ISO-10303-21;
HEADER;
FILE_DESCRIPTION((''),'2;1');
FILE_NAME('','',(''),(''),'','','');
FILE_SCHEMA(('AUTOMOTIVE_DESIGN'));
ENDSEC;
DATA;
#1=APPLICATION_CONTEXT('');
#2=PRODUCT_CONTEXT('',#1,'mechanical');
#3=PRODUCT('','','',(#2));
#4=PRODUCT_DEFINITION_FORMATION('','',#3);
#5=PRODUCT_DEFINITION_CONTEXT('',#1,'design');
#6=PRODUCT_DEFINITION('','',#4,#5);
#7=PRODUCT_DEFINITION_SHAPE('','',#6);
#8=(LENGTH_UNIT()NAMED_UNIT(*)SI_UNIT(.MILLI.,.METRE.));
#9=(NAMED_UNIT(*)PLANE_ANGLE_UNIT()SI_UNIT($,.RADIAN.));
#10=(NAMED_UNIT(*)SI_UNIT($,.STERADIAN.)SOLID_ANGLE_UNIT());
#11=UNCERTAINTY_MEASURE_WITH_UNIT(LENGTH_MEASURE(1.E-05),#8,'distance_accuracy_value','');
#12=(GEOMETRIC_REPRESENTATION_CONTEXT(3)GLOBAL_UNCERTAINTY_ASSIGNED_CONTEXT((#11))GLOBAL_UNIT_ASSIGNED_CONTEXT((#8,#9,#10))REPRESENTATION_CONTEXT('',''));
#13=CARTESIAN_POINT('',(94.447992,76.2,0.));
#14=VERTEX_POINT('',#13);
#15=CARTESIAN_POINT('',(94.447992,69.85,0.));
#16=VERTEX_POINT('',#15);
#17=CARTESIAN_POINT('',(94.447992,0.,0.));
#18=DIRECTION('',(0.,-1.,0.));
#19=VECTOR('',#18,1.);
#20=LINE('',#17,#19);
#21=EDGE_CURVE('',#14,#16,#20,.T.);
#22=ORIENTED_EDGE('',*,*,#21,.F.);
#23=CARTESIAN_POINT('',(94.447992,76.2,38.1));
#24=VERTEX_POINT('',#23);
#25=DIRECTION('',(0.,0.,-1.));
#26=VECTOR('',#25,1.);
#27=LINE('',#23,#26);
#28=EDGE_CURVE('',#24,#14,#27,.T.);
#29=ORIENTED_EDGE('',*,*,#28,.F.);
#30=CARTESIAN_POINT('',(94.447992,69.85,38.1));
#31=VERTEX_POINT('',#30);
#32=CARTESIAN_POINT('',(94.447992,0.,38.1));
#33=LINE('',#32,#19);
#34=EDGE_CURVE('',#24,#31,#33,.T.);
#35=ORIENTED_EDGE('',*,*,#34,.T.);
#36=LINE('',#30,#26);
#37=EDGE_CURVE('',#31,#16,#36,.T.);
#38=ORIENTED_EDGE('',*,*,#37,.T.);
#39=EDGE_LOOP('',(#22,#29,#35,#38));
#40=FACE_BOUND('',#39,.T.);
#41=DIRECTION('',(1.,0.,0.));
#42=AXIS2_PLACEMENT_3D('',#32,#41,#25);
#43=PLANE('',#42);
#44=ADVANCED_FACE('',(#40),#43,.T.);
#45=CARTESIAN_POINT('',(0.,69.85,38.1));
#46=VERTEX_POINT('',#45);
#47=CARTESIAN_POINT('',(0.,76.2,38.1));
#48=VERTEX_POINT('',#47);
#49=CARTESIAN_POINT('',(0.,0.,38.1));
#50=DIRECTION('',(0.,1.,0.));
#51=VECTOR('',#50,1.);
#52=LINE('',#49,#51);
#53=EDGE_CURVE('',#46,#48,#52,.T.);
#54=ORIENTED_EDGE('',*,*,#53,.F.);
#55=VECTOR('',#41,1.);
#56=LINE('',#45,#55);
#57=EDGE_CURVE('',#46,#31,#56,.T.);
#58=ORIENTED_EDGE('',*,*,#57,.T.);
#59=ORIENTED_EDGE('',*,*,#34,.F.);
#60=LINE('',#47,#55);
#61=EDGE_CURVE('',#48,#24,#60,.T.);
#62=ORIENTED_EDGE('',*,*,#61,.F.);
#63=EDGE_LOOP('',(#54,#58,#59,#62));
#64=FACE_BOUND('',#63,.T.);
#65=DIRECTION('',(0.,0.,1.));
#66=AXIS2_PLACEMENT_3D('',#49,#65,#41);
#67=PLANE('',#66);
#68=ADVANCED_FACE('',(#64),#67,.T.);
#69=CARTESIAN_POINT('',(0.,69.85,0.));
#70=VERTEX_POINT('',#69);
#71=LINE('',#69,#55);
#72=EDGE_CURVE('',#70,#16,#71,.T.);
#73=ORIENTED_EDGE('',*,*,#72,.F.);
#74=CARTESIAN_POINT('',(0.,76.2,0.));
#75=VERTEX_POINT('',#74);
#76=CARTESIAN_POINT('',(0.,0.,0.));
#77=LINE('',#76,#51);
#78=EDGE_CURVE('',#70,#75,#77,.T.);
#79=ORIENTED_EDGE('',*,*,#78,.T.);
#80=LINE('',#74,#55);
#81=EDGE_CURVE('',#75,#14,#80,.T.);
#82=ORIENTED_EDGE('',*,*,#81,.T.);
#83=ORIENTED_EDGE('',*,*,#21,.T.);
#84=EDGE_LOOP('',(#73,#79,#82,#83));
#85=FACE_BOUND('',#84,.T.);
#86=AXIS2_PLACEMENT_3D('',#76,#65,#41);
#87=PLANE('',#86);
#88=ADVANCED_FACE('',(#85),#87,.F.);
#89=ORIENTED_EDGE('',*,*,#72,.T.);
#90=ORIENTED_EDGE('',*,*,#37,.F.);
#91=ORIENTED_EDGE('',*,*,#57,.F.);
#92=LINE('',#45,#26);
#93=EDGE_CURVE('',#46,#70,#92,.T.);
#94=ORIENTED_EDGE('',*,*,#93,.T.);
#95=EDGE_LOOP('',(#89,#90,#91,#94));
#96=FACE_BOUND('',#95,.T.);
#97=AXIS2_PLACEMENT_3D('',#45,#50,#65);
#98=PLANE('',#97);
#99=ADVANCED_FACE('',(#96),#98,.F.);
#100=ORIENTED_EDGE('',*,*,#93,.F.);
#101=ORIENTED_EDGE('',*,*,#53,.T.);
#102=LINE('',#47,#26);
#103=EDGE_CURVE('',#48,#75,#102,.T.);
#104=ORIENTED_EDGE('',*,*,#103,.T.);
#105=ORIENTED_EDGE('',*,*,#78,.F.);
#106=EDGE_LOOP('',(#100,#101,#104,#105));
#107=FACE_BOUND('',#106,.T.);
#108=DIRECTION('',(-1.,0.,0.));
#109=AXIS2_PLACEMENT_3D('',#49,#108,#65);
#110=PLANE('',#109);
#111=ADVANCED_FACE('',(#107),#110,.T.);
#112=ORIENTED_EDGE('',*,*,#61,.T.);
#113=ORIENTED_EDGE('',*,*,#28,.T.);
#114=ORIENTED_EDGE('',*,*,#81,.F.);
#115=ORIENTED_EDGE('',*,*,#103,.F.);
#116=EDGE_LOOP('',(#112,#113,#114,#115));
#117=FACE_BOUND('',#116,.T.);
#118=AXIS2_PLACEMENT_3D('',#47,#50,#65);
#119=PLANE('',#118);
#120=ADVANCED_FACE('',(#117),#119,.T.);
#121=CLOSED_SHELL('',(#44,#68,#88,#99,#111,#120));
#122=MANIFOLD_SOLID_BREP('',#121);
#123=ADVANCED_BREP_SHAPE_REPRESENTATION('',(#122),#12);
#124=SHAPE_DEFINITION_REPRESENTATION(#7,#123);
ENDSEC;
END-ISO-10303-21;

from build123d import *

# Parameters (mm, degrees)
BOSS_EXTRUDE1_DEPTH = 38.1
SKETCH2_R           = 11.049
CUT_EXTRUDE1_DEPTH  = 6.35
SKETCH2_4_R         = 3.556
CUT_EXTRUDE2_DEPTH  = 6.35
SKETCH4_W           = 14.244414607
SKETCH4_H           = 36.472405425
SKETCH4_W_2         = 34.84093086
SKETCH4_H_2         = 80.147164796
CUT_EXTRUDE4_DEPTH  = 76.2


with BuildPart() as part:
    # Sketch1 → Boss-Extrude1 (new body)
    with BuildSketch(Plane.XY):
        Polygon((0, 76.2), (0, 0), (6.35, 0), (6.35, 69.85), (94.447991824, 69.85), (94.447991824, 101.6), (88.097991824, 101.6), (88.097991824, 76.2), align=None)
    extrude(amount=BOSS_EXTRUDE1_DEPTH)

    # Sketch2 → Cut-Extrude1 (cut)
    with BuildSketch(Plane.ZY):
        with Locations((19.05, 20.32)):
            Circle(SKETCH2_R)
    extrude(amount=-CUT_EXTRUDE1_DEPTH, mode=Mode.SUBTRACT)

    # Sketch2<4> → Cut-Extrude2 (cut)
    with BuildSketch(Plane.ZY):
        with Locations((19.05, 42.672)):
            Circle(SKETCH2_4_R)
    extrude(amount=-CUT_EXTRUDE2_DEPTH, mode=Mode.SUBTRACT)

    # Sketch4 → Cut-Extrude4 (cut)
    with BuildSketch(Plane.XY.offset(38.1)):
        with Locations((95.220199127, 94.436202713)):
            Rectangle(SKETCH4_W, SKETCH4_H)
        with Locations((-11.07046543, 29.776417602)):
            Rectangle(SKETCH4_W_2, SKETCH4_H_2)
    extrude(amount=-CUT_EXTRUDE4_DEPTH, mode=Mode.SUBTRACT)


solid = part.part
